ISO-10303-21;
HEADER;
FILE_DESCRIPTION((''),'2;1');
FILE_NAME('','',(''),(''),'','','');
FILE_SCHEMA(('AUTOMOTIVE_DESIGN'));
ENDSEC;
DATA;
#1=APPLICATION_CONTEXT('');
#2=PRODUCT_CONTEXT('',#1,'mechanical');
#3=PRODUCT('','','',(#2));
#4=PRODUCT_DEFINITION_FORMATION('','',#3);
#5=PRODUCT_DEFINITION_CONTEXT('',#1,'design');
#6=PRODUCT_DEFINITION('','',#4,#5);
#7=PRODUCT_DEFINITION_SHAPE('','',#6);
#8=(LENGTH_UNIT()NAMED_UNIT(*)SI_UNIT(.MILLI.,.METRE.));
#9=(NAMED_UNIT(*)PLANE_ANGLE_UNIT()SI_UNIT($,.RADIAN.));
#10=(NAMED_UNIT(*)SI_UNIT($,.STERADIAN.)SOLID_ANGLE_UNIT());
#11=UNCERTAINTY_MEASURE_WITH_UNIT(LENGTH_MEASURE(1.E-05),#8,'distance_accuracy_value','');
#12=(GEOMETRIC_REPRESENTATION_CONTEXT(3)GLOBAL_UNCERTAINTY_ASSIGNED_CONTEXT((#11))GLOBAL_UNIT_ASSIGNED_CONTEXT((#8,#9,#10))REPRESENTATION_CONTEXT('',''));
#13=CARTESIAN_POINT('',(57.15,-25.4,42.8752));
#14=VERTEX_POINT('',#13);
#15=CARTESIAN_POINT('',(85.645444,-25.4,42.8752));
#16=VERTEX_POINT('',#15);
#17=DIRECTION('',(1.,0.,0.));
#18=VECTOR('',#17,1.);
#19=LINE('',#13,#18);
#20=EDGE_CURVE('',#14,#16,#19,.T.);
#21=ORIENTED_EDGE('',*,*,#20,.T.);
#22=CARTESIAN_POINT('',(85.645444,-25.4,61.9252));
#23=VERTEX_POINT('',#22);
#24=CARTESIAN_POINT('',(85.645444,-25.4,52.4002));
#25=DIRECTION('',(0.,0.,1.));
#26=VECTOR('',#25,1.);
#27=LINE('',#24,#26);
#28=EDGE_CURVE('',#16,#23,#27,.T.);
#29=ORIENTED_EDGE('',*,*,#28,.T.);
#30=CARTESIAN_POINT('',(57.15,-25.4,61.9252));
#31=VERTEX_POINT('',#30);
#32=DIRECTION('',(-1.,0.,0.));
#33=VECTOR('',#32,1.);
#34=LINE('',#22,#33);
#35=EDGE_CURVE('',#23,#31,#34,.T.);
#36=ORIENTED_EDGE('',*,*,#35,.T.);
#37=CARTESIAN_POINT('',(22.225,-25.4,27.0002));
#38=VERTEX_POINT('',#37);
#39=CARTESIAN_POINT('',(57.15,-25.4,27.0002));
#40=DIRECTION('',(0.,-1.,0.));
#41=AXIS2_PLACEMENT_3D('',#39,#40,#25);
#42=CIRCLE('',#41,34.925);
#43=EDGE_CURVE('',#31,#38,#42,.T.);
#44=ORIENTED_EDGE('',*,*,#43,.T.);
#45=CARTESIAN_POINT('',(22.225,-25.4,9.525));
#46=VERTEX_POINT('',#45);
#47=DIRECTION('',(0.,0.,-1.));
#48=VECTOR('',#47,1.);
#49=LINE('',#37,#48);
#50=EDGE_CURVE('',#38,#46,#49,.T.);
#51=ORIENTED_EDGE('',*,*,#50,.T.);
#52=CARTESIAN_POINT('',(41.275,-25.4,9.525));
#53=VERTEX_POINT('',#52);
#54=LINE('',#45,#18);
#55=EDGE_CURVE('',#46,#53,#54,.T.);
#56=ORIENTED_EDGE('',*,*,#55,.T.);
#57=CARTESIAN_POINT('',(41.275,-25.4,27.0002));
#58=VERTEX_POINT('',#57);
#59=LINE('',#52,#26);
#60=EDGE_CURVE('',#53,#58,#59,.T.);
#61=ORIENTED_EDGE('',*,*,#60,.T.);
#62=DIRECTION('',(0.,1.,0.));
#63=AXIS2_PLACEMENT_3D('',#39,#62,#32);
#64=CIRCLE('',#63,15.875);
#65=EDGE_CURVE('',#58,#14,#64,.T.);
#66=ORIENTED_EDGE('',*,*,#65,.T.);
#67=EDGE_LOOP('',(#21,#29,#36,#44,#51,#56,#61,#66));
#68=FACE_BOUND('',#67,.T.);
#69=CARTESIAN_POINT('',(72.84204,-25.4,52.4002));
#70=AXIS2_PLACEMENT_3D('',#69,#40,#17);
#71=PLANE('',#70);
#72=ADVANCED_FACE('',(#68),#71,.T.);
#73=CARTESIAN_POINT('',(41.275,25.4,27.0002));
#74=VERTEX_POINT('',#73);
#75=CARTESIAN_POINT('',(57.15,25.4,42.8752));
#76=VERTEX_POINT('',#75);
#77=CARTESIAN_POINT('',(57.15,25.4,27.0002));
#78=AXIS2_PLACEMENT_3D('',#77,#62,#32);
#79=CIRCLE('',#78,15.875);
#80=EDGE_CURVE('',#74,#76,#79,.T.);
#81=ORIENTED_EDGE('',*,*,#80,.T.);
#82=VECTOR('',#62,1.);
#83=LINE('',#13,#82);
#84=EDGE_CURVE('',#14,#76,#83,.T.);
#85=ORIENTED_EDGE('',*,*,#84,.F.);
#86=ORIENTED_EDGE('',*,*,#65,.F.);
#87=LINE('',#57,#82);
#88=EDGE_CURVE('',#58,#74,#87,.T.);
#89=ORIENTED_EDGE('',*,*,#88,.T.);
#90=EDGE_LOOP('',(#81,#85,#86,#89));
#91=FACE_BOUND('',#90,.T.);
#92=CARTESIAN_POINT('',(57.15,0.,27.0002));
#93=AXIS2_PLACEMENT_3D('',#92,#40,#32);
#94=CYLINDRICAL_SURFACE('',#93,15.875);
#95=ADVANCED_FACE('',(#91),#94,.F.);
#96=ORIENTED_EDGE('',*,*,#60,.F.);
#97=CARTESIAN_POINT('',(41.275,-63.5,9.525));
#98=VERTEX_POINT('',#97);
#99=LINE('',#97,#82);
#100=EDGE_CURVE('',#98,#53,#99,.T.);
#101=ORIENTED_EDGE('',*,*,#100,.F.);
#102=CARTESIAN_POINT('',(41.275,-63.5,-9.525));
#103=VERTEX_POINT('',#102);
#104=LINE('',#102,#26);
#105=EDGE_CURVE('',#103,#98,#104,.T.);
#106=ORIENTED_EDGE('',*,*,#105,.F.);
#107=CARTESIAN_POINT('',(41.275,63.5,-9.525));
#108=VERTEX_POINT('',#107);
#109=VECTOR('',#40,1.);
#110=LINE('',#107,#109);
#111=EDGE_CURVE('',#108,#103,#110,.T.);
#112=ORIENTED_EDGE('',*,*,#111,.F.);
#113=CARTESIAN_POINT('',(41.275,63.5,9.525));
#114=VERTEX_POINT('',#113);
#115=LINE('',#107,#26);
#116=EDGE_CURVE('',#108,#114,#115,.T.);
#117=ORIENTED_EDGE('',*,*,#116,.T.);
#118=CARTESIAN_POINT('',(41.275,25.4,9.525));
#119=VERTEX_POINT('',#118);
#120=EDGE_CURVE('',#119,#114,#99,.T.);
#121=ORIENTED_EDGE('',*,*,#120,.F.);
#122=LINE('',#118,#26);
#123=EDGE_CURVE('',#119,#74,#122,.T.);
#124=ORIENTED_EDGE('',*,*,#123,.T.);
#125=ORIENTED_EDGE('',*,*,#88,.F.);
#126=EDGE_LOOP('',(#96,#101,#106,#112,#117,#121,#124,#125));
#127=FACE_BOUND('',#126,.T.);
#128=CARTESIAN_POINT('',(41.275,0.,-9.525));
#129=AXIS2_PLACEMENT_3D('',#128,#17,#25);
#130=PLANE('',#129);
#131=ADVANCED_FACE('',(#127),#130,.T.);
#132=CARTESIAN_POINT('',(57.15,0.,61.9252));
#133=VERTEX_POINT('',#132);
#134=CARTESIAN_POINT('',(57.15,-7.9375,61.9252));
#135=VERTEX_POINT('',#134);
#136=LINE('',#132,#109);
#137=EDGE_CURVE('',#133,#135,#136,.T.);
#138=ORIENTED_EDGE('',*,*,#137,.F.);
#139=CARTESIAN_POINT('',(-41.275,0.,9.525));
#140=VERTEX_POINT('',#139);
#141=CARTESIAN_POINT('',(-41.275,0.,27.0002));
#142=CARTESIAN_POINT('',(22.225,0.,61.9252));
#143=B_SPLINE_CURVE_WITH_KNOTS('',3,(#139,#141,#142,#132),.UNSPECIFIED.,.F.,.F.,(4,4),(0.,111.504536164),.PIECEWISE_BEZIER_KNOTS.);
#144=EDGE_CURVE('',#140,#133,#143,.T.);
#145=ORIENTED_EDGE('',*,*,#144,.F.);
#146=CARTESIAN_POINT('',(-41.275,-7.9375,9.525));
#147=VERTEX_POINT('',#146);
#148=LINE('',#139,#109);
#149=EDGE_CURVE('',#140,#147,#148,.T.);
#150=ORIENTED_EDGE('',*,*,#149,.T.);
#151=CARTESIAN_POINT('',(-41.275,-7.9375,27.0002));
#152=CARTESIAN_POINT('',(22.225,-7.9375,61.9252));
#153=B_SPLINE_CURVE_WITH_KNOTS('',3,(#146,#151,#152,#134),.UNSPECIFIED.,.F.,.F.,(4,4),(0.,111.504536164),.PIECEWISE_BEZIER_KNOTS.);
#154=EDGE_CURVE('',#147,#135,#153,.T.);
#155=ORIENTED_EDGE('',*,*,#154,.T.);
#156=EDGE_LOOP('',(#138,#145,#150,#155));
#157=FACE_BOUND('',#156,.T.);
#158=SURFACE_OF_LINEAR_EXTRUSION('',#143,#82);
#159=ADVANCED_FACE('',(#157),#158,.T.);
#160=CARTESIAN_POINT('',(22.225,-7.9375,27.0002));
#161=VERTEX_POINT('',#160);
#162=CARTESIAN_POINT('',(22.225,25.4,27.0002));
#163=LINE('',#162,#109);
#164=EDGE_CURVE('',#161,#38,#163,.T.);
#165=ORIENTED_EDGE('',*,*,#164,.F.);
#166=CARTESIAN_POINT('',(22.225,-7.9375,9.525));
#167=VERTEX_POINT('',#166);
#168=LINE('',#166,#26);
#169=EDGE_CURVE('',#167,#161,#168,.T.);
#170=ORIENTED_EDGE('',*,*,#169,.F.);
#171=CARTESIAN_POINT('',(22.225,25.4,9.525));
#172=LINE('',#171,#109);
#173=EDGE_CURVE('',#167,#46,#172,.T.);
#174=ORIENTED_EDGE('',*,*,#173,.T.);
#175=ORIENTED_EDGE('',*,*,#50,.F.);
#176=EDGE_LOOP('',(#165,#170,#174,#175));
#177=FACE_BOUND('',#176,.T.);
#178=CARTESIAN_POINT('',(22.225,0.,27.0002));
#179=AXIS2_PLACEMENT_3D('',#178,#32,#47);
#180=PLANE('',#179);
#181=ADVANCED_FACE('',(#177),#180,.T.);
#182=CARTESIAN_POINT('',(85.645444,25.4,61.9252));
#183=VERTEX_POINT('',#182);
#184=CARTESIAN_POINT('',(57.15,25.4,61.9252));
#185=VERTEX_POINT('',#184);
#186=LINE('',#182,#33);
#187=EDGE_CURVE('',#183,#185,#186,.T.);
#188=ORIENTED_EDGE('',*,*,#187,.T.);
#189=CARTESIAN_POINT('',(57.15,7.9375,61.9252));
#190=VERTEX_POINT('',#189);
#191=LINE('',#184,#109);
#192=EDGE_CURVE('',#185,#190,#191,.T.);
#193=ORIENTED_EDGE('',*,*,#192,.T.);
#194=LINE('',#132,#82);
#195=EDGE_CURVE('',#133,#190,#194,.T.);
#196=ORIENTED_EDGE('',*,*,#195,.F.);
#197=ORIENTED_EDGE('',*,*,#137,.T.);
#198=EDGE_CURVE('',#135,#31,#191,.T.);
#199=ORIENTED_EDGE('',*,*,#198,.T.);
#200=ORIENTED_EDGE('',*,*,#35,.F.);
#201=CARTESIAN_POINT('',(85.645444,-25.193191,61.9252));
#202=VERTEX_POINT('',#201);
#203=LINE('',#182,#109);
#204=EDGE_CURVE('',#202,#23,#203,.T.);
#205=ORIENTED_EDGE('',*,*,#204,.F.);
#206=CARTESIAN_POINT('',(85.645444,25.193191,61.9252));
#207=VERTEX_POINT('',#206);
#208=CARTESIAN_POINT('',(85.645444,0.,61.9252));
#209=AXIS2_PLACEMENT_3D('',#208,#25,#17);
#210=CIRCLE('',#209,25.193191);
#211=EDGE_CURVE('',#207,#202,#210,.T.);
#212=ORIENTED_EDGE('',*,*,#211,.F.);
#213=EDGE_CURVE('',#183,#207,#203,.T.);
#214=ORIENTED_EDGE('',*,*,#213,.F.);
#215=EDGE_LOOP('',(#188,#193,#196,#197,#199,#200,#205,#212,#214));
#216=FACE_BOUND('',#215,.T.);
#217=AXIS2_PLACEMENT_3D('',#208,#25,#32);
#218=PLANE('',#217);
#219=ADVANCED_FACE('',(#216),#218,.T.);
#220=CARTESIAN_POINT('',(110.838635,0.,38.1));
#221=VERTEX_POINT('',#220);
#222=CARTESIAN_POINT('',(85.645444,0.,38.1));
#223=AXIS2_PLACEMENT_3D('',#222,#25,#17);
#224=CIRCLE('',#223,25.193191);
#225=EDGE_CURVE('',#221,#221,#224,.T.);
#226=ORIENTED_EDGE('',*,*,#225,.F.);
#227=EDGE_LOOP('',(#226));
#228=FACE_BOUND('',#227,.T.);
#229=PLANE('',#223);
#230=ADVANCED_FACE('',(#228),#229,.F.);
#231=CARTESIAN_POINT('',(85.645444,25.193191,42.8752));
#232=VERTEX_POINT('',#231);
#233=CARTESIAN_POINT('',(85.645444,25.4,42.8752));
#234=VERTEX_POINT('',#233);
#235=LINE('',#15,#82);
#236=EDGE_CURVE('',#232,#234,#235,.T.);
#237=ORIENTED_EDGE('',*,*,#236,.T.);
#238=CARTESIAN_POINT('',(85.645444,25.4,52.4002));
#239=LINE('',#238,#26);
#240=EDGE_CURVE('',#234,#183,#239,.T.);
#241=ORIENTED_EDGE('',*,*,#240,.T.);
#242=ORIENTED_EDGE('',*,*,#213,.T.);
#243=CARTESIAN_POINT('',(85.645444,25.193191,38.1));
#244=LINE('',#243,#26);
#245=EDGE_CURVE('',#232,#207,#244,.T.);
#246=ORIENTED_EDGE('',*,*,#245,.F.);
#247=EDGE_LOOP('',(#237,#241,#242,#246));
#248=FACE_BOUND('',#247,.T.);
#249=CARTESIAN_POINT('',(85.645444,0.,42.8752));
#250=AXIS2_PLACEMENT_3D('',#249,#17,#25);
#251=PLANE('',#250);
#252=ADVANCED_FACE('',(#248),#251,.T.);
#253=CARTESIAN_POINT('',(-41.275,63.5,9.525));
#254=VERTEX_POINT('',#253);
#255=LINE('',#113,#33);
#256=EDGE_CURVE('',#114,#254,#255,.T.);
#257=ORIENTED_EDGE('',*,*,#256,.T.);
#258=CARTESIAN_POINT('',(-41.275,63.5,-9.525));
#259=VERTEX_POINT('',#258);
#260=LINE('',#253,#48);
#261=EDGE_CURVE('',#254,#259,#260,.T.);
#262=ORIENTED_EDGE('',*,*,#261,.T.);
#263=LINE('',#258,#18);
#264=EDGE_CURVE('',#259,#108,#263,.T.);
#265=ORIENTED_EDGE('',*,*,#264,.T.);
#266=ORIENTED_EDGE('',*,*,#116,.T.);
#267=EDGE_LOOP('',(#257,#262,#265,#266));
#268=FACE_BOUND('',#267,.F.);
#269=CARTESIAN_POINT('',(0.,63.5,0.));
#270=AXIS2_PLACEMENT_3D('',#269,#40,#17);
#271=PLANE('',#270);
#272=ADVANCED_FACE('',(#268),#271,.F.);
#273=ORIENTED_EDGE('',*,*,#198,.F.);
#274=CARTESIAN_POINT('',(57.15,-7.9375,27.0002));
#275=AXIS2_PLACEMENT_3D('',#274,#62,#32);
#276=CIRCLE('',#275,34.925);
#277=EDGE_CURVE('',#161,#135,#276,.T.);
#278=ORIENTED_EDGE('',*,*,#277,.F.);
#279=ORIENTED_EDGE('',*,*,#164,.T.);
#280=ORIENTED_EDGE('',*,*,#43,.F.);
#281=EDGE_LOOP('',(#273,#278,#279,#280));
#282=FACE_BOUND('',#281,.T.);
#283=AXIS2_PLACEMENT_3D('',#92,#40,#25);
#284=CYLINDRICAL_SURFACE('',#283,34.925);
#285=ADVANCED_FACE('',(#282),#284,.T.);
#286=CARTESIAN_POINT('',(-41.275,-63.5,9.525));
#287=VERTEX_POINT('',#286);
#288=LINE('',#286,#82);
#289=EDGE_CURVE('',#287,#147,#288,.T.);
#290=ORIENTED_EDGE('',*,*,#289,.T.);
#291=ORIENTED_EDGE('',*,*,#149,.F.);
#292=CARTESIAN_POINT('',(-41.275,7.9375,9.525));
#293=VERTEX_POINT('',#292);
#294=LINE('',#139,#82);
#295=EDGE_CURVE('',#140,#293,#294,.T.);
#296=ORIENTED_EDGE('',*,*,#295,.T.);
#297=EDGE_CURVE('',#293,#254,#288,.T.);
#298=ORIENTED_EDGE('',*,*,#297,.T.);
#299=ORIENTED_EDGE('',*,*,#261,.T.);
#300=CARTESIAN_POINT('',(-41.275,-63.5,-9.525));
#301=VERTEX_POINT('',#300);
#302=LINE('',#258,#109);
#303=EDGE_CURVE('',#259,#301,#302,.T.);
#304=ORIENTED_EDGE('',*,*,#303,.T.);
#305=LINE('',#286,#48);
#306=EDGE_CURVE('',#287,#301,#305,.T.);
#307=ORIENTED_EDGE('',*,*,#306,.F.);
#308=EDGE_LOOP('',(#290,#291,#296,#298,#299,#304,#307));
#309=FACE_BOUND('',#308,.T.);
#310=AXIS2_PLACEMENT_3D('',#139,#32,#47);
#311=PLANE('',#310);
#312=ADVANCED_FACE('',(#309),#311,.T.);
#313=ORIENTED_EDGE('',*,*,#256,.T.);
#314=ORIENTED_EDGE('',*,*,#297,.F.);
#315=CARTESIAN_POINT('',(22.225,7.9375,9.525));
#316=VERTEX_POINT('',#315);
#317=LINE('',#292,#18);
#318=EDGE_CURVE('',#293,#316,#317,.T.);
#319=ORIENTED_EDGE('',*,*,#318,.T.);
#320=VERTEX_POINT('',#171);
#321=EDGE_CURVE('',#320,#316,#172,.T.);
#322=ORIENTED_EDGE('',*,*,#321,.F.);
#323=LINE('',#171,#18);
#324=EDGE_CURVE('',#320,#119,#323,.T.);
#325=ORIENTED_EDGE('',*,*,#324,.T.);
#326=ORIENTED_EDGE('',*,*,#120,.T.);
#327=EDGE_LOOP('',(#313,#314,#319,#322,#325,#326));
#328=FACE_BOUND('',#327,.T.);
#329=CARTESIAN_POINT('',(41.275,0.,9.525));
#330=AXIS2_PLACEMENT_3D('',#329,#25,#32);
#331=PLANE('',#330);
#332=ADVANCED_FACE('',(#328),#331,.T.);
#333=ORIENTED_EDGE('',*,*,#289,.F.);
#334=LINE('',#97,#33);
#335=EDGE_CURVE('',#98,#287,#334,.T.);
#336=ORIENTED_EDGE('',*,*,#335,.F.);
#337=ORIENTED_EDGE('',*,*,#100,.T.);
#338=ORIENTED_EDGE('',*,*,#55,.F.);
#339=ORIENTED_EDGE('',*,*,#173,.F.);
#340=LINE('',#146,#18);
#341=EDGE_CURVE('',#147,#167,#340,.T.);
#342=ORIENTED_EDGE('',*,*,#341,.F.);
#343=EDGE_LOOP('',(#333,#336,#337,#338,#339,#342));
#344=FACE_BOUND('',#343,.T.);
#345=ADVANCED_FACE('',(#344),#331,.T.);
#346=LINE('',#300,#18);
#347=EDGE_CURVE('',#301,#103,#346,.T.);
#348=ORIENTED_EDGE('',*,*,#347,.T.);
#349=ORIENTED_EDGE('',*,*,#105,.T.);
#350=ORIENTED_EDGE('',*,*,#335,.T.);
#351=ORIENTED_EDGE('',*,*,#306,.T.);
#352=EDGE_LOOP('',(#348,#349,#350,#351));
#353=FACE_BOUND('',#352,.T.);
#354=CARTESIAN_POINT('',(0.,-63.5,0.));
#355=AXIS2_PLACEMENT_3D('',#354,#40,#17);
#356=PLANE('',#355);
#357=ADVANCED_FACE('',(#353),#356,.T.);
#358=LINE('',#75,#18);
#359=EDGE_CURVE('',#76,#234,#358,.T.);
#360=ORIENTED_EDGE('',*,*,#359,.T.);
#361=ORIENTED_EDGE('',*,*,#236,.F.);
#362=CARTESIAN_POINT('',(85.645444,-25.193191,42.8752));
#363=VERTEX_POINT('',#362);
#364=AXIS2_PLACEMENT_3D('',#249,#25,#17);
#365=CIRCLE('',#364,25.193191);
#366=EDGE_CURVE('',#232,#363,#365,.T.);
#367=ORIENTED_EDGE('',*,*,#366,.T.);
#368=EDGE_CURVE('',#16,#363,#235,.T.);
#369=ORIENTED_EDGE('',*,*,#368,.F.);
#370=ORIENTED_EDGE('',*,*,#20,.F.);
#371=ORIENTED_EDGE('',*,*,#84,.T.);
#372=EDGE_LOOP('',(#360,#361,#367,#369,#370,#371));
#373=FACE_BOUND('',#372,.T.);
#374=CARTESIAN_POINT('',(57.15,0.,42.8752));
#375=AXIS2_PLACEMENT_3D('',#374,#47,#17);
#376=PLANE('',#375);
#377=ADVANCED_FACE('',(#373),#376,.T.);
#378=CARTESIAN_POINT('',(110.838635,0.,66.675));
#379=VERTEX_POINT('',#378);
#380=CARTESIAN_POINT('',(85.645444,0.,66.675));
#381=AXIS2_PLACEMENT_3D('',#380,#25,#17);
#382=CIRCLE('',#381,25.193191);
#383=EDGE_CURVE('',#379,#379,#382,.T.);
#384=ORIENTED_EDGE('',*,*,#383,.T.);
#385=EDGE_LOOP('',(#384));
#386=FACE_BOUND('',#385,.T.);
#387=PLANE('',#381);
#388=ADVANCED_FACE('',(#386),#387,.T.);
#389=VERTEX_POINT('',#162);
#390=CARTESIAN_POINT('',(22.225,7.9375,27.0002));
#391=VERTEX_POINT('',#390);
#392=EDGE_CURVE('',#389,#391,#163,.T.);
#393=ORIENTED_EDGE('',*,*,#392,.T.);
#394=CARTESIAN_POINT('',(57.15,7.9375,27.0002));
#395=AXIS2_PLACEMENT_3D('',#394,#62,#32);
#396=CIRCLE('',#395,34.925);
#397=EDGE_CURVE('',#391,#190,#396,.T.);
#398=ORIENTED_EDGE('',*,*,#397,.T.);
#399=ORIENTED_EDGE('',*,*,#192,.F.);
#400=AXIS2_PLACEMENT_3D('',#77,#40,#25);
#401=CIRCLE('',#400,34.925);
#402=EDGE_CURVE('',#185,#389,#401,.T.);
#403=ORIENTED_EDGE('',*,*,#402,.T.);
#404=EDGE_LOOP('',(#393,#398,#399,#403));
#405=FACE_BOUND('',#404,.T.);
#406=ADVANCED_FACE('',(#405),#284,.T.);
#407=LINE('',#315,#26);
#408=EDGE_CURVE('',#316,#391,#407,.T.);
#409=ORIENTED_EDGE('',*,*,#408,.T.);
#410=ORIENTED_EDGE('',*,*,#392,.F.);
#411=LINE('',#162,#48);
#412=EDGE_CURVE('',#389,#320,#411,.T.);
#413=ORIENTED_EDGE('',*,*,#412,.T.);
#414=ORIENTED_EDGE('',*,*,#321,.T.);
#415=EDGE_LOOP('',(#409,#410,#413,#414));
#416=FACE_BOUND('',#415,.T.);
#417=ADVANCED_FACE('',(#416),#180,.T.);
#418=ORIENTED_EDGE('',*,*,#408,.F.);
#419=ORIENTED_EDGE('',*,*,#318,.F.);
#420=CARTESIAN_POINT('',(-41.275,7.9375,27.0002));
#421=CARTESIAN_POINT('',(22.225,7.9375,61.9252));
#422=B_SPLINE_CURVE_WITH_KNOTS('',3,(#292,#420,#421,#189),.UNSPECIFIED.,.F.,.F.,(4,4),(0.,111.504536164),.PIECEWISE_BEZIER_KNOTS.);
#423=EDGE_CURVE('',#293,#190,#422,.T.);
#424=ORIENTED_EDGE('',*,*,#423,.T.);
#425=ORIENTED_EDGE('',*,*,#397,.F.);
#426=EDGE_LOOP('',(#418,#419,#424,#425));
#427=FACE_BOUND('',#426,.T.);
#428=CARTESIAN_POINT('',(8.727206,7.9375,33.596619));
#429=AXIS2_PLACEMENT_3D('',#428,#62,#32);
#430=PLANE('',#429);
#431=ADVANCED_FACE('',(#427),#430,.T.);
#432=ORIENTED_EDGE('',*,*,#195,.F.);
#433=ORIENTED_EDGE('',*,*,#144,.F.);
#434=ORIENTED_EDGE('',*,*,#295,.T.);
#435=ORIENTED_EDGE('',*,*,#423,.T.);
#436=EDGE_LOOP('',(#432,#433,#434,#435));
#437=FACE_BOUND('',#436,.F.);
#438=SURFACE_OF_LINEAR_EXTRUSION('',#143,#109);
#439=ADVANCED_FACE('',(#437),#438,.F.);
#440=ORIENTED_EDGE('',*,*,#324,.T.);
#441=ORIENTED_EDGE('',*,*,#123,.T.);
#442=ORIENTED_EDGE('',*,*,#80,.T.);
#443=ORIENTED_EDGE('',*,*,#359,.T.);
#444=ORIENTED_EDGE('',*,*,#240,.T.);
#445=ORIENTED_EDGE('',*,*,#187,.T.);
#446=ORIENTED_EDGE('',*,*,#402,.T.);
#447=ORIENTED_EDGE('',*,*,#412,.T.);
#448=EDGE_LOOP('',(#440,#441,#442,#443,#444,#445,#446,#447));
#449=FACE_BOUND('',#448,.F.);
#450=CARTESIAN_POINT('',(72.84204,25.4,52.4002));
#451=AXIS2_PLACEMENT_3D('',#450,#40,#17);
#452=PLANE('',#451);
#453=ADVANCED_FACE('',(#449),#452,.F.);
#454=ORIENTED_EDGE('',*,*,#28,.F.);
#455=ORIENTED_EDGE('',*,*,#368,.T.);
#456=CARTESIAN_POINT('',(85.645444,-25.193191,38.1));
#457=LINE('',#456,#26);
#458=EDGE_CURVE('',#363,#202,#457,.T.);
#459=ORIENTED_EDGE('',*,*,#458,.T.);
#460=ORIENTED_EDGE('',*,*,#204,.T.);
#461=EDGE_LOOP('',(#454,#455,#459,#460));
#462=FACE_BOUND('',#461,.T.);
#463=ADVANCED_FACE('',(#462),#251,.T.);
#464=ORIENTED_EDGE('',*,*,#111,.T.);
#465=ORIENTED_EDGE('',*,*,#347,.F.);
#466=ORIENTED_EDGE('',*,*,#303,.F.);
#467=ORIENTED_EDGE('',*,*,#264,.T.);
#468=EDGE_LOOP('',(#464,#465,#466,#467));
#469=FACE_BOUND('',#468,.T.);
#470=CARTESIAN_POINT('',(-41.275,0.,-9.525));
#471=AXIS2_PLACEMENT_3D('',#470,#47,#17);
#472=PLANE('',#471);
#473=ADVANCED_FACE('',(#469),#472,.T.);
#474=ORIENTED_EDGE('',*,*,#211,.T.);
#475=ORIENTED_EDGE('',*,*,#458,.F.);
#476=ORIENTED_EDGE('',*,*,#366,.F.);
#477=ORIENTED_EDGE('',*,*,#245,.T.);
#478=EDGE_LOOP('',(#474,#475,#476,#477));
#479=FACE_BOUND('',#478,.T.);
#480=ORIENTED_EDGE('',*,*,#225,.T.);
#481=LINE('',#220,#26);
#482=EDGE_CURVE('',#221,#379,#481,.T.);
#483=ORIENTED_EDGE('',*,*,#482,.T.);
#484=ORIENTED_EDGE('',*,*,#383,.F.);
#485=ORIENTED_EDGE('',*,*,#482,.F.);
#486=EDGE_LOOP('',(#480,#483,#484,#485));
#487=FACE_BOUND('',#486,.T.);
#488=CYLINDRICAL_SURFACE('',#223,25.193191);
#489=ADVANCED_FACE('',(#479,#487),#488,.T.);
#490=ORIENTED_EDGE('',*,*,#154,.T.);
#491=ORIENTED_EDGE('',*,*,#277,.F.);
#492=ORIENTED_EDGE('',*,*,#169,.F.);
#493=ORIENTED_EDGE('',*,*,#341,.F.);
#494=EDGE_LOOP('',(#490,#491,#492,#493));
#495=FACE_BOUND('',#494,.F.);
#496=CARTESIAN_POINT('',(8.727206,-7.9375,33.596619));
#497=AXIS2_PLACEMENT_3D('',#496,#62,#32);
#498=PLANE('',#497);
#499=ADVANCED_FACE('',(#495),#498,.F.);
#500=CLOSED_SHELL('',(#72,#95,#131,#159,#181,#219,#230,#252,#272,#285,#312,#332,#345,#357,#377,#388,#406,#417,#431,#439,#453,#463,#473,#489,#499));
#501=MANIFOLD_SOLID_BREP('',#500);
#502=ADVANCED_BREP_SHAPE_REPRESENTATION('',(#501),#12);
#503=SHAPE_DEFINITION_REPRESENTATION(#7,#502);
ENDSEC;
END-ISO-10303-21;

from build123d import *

# Parameters (mm, degrees)
F1_DEPTH = 63.5
F0_W     = 25.6068090757
F0_H     = 19.05
F2_DEPTH = 25.4
F3_DEPTH = 7.9375


with BuildPart() as f1:
    # F0 (on Front) → F1 (new body, symmetric)
    with BuildSketch(Plane.XZ):
        Polygon((-41.275, 9.525), (-41.275, -9.525), (41.275, -9.525), (41.275, 9.525), (22.225, 9.525), align=None)
    extrude(amount=F1_DEPTH, both=True)

    # F0 (on Front) → F2 (join, symmetric)
    with BuildSketch(Plane.XZ):
        with Locations((72.8420397361, 52.4002)):
            Rectangle(F0_W, F0_H)
        with BuildLine():
            Line((22.225, 9.525), (41.275, 9.525))
            Line((41.275, 9.525), (41.275, 27.0002))
            ThreePointArc((41.275, 27.0002), (45.9246798487, 38.2255201513), (57.15, 42.8752))
            Line((57.15, 42.8752), (60.0386351983, 42.8752))
            Line((60.0386351983, 42.8752), (60.0386351983, 61.9252))
            Line((60.0386351983, 61.9252), (57.15, 61.9252))
            ThreePointArc((57.15, 61.9252), (32.4542956671, 51.6959043329), (22.225, 27.0002))
            Line((22.225, 27.0002), (22.225, 9.525))
        make_face()
    extrude(amount=F2_DEPTH, both=True)

    # F0 (on Front) → F3 (join, symmetric)
    with BuildSketch(Plane.XZ):
        with BuildLine():
            add(Edge.make_bspline(
                [(-41.275, 9.525), (-41.275, 27.0002), (22.225, 61.9252), (57.15, 61.9252)],
                knots=[0, 0, 0, 0, 111.5045361635, 111.5045361635, 111.5045361635, 111.5045361635], degree=3))
            Line((-41.275, 9.525), (22.225, 9.525))
            Line((22.225, 9.525), (22.225, 27.0002))
            ThreePointArc((22.225, 27.0002), (32.4542956671, 51.6959043329), (57.15, 61.9252))
        make_face()
    extrude(amount=F3_DEPTH, both=True)

    # F0 (on Front) → F4 (revolve)
    with BuildSketch(Plane.XZ):
        Polygon((85.6454442739, 66.675), (85.6454442739, 61.9252), (85.6454442739, 42.8752), (85.6454442739, 38.1), (110.8386351983, 38.1), (110.8386351983, 66.675), align=None)
    revolve(axis=Axis((85.6454442739, 0, 52.3875), (0, 0, 1)))


solid = f1.part
